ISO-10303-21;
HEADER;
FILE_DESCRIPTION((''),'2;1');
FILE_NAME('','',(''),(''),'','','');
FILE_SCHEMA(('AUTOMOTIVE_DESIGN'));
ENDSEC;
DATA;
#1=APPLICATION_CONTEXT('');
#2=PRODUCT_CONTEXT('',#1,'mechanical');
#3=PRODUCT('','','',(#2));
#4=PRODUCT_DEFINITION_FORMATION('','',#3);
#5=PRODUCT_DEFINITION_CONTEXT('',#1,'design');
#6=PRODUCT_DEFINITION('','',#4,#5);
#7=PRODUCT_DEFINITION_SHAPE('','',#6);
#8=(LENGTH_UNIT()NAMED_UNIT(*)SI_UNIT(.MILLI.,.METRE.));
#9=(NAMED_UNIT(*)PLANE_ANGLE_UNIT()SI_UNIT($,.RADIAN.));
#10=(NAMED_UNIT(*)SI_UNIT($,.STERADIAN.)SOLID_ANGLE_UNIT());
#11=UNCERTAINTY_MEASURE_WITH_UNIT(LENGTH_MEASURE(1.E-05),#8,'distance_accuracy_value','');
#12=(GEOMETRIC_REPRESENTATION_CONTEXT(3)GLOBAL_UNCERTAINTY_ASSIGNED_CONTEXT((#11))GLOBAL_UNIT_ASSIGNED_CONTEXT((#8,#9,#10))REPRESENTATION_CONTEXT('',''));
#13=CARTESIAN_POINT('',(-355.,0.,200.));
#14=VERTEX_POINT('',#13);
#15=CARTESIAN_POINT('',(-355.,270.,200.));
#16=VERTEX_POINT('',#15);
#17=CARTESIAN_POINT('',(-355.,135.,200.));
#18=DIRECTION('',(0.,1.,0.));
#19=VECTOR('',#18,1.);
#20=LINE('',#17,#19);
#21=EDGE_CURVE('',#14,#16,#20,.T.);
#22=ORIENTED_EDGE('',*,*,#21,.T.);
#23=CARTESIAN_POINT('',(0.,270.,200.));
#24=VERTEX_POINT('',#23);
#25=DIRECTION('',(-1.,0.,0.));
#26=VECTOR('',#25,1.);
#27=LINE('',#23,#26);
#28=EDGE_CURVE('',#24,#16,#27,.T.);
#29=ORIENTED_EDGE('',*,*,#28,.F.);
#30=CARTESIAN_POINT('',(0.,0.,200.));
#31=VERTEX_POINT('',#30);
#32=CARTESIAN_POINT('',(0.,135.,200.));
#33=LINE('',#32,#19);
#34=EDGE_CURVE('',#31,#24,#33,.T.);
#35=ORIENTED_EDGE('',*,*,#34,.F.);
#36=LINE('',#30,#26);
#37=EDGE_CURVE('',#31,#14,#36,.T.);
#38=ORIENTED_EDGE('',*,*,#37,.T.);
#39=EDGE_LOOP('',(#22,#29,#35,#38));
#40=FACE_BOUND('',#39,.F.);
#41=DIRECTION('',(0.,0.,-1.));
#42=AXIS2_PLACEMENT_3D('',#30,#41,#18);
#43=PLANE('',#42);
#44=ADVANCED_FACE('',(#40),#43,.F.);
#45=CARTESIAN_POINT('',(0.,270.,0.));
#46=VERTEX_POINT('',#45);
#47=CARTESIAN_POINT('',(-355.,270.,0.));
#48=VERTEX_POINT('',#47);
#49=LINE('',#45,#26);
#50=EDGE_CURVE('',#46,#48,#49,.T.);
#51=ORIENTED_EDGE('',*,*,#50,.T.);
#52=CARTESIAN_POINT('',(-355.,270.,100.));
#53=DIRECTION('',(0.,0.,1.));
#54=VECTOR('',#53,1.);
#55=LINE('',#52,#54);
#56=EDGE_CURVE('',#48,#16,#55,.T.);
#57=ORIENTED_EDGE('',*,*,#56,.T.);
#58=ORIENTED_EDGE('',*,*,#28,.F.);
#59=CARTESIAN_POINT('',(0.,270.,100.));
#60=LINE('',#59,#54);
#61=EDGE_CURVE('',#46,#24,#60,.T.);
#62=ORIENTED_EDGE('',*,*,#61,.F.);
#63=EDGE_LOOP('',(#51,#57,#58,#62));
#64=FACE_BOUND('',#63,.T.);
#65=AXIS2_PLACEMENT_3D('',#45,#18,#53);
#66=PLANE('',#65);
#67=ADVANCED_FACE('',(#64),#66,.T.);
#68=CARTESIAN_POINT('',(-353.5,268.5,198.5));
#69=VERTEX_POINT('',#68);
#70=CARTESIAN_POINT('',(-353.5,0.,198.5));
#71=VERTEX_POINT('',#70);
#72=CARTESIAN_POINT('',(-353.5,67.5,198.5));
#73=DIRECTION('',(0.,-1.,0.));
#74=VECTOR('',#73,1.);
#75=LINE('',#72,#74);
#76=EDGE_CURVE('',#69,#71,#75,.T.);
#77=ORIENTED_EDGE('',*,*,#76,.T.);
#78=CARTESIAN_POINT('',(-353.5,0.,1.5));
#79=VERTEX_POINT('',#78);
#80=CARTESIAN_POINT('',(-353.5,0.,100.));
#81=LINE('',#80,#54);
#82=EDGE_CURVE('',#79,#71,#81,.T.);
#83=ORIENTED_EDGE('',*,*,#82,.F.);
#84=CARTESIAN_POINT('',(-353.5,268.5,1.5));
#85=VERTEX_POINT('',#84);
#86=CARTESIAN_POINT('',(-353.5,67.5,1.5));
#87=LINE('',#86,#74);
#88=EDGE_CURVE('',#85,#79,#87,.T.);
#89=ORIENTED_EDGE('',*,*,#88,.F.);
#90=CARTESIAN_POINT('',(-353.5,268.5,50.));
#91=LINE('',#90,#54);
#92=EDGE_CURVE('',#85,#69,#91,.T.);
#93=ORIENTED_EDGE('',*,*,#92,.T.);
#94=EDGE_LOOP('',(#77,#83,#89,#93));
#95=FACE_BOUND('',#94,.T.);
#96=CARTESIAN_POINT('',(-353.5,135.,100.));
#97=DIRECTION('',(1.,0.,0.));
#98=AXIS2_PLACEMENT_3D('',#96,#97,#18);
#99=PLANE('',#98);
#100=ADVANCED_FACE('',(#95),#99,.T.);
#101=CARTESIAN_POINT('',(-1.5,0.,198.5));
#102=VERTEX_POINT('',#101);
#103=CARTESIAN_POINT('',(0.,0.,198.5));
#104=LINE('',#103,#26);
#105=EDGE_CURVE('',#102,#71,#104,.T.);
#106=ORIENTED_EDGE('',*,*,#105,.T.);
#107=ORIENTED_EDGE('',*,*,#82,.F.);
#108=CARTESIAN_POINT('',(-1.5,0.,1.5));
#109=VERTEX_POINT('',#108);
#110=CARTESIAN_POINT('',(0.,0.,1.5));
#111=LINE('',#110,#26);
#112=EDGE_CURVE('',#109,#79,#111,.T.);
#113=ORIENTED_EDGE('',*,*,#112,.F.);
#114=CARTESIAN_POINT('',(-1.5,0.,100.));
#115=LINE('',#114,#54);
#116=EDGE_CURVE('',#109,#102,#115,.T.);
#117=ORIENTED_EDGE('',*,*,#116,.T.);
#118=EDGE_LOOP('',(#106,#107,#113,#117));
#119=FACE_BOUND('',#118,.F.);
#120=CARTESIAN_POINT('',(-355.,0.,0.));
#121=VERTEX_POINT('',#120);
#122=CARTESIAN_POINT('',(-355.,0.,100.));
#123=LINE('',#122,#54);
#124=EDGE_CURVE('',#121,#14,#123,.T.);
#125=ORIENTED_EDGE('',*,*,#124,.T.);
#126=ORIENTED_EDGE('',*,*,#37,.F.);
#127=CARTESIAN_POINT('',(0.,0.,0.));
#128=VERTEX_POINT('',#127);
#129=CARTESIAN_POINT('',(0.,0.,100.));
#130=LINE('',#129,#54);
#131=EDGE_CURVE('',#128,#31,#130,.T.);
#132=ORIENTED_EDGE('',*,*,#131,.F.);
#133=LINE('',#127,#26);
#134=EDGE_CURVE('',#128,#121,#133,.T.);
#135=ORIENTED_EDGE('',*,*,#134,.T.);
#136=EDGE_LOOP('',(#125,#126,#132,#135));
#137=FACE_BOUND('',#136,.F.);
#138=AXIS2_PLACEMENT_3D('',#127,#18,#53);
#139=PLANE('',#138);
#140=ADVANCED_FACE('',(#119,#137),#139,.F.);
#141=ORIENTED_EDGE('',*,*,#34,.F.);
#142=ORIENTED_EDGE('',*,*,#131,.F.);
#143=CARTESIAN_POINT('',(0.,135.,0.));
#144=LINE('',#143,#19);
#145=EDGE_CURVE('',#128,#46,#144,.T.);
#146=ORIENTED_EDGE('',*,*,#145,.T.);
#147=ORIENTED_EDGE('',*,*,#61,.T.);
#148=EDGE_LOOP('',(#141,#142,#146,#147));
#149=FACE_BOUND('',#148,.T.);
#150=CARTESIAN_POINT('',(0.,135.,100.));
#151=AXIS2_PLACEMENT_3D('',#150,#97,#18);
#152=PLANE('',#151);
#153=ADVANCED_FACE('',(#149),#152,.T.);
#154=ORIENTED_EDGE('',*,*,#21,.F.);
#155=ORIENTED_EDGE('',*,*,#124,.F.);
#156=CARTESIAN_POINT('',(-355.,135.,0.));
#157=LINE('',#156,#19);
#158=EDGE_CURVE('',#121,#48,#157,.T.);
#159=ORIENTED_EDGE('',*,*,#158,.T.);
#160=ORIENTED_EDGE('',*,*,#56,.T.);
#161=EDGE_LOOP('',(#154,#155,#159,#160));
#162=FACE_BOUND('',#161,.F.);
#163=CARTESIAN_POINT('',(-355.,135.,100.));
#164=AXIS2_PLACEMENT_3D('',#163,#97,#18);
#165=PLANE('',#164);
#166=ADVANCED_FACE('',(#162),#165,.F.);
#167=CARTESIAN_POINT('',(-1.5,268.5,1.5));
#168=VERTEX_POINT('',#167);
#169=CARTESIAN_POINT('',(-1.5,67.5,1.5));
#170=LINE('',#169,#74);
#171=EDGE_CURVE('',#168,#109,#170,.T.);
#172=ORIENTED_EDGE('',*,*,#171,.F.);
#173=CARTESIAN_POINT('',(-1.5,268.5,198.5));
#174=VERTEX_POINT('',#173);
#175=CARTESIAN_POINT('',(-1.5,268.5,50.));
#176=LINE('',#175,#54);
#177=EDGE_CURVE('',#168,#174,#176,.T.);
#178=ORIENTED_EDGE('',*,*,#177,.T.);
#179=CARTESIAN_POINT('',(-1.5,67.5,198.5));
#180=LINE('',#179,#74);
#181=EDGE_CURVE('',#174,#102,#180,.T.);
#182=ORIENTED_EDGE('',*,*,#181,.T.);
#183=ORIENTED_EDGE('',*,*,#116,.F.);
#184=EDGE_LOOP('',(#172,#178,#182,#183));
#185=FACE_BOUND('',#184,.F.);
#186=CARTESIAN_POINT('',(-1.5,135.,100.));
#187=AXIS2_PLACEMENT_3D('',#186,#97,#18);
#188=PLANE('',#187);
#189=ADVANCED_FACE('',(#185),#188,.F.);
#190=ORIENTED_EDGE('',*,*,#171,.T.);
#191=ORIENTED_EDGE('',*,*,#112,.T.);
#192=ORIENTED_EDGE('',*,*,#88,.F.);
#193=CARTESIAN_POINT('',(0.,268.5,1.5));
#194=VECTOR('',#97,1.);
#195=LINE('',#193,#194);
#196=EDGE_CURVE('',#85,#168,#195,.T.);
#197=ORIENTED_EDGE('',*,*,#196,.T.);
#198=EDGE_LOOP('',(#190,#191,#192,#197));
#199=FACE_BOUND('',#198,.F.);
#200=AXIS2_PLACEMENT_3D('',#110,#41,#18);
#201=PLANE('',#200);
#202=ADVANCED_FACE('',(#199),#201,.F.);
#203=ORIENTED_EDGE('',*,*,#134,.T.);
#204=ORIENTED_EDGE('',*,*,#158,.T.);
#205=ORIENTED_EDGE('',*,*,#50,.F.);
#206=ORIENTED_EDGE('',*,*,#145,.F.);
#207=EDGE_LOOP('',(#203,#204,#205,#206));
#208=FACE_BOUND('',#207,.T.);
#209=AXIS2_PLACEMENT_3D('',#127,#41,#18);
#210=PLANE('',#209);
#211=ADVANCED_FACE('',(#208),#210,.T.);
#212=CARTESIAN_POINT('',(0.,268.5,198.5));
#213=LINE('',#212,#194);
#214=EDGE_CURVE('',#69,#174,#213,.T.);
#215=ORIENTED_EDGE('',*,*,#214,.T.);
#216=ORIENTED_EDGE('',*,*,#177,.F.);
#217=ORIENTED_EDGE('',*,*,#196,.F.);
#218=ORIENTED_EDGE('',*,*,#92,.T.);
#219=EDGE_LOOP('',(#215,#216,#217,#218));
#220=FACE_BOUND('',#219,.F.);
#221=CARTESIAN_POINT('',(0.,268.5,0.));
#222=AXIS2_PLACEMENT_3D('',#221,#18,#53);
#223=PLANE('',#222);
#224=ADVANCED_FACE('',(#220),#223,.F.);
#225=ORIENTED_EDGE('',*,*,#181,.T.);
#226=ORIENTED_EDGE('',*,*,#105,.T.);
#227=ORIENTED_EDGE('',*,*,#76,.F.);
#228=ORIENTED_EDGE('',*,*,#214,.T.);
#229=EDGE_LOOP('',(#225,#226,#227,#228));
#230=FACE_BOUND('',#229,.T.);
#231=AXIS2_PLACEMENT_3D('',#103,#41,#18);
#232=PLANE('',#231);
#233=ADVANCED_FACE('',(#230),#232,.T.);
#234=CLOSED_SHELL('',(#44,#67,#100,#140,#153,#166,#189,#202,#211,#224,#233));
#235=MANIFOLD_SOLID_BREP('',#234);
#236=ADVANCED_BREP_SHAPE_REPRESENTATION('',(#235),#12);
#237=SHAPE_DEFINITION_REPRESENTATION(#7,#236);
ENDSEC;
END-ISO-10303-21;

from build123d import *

# Parameters (mm, degrees)
F0_W     = 270
F0_H     = 200
F1_DEPTH = 355
F2_T     = -1.5


with BuildPart() as f1:
    # F0 (on Right) → F1 (new body)
    with BuildSketch(Plane.YZ):
        with Locations((135, 100)):
            Rectangle(F0_W, F0_H)
    extrude(amount=-F1_DEPTH)

    # F2
    f2_openings = [f1.faces().sort_by_distance(p)[0] for p in [
        (-177.5, 0, 100),
    ]]
    offset(amount=F2_T, openings=f2_openings)


solid = f1.part
